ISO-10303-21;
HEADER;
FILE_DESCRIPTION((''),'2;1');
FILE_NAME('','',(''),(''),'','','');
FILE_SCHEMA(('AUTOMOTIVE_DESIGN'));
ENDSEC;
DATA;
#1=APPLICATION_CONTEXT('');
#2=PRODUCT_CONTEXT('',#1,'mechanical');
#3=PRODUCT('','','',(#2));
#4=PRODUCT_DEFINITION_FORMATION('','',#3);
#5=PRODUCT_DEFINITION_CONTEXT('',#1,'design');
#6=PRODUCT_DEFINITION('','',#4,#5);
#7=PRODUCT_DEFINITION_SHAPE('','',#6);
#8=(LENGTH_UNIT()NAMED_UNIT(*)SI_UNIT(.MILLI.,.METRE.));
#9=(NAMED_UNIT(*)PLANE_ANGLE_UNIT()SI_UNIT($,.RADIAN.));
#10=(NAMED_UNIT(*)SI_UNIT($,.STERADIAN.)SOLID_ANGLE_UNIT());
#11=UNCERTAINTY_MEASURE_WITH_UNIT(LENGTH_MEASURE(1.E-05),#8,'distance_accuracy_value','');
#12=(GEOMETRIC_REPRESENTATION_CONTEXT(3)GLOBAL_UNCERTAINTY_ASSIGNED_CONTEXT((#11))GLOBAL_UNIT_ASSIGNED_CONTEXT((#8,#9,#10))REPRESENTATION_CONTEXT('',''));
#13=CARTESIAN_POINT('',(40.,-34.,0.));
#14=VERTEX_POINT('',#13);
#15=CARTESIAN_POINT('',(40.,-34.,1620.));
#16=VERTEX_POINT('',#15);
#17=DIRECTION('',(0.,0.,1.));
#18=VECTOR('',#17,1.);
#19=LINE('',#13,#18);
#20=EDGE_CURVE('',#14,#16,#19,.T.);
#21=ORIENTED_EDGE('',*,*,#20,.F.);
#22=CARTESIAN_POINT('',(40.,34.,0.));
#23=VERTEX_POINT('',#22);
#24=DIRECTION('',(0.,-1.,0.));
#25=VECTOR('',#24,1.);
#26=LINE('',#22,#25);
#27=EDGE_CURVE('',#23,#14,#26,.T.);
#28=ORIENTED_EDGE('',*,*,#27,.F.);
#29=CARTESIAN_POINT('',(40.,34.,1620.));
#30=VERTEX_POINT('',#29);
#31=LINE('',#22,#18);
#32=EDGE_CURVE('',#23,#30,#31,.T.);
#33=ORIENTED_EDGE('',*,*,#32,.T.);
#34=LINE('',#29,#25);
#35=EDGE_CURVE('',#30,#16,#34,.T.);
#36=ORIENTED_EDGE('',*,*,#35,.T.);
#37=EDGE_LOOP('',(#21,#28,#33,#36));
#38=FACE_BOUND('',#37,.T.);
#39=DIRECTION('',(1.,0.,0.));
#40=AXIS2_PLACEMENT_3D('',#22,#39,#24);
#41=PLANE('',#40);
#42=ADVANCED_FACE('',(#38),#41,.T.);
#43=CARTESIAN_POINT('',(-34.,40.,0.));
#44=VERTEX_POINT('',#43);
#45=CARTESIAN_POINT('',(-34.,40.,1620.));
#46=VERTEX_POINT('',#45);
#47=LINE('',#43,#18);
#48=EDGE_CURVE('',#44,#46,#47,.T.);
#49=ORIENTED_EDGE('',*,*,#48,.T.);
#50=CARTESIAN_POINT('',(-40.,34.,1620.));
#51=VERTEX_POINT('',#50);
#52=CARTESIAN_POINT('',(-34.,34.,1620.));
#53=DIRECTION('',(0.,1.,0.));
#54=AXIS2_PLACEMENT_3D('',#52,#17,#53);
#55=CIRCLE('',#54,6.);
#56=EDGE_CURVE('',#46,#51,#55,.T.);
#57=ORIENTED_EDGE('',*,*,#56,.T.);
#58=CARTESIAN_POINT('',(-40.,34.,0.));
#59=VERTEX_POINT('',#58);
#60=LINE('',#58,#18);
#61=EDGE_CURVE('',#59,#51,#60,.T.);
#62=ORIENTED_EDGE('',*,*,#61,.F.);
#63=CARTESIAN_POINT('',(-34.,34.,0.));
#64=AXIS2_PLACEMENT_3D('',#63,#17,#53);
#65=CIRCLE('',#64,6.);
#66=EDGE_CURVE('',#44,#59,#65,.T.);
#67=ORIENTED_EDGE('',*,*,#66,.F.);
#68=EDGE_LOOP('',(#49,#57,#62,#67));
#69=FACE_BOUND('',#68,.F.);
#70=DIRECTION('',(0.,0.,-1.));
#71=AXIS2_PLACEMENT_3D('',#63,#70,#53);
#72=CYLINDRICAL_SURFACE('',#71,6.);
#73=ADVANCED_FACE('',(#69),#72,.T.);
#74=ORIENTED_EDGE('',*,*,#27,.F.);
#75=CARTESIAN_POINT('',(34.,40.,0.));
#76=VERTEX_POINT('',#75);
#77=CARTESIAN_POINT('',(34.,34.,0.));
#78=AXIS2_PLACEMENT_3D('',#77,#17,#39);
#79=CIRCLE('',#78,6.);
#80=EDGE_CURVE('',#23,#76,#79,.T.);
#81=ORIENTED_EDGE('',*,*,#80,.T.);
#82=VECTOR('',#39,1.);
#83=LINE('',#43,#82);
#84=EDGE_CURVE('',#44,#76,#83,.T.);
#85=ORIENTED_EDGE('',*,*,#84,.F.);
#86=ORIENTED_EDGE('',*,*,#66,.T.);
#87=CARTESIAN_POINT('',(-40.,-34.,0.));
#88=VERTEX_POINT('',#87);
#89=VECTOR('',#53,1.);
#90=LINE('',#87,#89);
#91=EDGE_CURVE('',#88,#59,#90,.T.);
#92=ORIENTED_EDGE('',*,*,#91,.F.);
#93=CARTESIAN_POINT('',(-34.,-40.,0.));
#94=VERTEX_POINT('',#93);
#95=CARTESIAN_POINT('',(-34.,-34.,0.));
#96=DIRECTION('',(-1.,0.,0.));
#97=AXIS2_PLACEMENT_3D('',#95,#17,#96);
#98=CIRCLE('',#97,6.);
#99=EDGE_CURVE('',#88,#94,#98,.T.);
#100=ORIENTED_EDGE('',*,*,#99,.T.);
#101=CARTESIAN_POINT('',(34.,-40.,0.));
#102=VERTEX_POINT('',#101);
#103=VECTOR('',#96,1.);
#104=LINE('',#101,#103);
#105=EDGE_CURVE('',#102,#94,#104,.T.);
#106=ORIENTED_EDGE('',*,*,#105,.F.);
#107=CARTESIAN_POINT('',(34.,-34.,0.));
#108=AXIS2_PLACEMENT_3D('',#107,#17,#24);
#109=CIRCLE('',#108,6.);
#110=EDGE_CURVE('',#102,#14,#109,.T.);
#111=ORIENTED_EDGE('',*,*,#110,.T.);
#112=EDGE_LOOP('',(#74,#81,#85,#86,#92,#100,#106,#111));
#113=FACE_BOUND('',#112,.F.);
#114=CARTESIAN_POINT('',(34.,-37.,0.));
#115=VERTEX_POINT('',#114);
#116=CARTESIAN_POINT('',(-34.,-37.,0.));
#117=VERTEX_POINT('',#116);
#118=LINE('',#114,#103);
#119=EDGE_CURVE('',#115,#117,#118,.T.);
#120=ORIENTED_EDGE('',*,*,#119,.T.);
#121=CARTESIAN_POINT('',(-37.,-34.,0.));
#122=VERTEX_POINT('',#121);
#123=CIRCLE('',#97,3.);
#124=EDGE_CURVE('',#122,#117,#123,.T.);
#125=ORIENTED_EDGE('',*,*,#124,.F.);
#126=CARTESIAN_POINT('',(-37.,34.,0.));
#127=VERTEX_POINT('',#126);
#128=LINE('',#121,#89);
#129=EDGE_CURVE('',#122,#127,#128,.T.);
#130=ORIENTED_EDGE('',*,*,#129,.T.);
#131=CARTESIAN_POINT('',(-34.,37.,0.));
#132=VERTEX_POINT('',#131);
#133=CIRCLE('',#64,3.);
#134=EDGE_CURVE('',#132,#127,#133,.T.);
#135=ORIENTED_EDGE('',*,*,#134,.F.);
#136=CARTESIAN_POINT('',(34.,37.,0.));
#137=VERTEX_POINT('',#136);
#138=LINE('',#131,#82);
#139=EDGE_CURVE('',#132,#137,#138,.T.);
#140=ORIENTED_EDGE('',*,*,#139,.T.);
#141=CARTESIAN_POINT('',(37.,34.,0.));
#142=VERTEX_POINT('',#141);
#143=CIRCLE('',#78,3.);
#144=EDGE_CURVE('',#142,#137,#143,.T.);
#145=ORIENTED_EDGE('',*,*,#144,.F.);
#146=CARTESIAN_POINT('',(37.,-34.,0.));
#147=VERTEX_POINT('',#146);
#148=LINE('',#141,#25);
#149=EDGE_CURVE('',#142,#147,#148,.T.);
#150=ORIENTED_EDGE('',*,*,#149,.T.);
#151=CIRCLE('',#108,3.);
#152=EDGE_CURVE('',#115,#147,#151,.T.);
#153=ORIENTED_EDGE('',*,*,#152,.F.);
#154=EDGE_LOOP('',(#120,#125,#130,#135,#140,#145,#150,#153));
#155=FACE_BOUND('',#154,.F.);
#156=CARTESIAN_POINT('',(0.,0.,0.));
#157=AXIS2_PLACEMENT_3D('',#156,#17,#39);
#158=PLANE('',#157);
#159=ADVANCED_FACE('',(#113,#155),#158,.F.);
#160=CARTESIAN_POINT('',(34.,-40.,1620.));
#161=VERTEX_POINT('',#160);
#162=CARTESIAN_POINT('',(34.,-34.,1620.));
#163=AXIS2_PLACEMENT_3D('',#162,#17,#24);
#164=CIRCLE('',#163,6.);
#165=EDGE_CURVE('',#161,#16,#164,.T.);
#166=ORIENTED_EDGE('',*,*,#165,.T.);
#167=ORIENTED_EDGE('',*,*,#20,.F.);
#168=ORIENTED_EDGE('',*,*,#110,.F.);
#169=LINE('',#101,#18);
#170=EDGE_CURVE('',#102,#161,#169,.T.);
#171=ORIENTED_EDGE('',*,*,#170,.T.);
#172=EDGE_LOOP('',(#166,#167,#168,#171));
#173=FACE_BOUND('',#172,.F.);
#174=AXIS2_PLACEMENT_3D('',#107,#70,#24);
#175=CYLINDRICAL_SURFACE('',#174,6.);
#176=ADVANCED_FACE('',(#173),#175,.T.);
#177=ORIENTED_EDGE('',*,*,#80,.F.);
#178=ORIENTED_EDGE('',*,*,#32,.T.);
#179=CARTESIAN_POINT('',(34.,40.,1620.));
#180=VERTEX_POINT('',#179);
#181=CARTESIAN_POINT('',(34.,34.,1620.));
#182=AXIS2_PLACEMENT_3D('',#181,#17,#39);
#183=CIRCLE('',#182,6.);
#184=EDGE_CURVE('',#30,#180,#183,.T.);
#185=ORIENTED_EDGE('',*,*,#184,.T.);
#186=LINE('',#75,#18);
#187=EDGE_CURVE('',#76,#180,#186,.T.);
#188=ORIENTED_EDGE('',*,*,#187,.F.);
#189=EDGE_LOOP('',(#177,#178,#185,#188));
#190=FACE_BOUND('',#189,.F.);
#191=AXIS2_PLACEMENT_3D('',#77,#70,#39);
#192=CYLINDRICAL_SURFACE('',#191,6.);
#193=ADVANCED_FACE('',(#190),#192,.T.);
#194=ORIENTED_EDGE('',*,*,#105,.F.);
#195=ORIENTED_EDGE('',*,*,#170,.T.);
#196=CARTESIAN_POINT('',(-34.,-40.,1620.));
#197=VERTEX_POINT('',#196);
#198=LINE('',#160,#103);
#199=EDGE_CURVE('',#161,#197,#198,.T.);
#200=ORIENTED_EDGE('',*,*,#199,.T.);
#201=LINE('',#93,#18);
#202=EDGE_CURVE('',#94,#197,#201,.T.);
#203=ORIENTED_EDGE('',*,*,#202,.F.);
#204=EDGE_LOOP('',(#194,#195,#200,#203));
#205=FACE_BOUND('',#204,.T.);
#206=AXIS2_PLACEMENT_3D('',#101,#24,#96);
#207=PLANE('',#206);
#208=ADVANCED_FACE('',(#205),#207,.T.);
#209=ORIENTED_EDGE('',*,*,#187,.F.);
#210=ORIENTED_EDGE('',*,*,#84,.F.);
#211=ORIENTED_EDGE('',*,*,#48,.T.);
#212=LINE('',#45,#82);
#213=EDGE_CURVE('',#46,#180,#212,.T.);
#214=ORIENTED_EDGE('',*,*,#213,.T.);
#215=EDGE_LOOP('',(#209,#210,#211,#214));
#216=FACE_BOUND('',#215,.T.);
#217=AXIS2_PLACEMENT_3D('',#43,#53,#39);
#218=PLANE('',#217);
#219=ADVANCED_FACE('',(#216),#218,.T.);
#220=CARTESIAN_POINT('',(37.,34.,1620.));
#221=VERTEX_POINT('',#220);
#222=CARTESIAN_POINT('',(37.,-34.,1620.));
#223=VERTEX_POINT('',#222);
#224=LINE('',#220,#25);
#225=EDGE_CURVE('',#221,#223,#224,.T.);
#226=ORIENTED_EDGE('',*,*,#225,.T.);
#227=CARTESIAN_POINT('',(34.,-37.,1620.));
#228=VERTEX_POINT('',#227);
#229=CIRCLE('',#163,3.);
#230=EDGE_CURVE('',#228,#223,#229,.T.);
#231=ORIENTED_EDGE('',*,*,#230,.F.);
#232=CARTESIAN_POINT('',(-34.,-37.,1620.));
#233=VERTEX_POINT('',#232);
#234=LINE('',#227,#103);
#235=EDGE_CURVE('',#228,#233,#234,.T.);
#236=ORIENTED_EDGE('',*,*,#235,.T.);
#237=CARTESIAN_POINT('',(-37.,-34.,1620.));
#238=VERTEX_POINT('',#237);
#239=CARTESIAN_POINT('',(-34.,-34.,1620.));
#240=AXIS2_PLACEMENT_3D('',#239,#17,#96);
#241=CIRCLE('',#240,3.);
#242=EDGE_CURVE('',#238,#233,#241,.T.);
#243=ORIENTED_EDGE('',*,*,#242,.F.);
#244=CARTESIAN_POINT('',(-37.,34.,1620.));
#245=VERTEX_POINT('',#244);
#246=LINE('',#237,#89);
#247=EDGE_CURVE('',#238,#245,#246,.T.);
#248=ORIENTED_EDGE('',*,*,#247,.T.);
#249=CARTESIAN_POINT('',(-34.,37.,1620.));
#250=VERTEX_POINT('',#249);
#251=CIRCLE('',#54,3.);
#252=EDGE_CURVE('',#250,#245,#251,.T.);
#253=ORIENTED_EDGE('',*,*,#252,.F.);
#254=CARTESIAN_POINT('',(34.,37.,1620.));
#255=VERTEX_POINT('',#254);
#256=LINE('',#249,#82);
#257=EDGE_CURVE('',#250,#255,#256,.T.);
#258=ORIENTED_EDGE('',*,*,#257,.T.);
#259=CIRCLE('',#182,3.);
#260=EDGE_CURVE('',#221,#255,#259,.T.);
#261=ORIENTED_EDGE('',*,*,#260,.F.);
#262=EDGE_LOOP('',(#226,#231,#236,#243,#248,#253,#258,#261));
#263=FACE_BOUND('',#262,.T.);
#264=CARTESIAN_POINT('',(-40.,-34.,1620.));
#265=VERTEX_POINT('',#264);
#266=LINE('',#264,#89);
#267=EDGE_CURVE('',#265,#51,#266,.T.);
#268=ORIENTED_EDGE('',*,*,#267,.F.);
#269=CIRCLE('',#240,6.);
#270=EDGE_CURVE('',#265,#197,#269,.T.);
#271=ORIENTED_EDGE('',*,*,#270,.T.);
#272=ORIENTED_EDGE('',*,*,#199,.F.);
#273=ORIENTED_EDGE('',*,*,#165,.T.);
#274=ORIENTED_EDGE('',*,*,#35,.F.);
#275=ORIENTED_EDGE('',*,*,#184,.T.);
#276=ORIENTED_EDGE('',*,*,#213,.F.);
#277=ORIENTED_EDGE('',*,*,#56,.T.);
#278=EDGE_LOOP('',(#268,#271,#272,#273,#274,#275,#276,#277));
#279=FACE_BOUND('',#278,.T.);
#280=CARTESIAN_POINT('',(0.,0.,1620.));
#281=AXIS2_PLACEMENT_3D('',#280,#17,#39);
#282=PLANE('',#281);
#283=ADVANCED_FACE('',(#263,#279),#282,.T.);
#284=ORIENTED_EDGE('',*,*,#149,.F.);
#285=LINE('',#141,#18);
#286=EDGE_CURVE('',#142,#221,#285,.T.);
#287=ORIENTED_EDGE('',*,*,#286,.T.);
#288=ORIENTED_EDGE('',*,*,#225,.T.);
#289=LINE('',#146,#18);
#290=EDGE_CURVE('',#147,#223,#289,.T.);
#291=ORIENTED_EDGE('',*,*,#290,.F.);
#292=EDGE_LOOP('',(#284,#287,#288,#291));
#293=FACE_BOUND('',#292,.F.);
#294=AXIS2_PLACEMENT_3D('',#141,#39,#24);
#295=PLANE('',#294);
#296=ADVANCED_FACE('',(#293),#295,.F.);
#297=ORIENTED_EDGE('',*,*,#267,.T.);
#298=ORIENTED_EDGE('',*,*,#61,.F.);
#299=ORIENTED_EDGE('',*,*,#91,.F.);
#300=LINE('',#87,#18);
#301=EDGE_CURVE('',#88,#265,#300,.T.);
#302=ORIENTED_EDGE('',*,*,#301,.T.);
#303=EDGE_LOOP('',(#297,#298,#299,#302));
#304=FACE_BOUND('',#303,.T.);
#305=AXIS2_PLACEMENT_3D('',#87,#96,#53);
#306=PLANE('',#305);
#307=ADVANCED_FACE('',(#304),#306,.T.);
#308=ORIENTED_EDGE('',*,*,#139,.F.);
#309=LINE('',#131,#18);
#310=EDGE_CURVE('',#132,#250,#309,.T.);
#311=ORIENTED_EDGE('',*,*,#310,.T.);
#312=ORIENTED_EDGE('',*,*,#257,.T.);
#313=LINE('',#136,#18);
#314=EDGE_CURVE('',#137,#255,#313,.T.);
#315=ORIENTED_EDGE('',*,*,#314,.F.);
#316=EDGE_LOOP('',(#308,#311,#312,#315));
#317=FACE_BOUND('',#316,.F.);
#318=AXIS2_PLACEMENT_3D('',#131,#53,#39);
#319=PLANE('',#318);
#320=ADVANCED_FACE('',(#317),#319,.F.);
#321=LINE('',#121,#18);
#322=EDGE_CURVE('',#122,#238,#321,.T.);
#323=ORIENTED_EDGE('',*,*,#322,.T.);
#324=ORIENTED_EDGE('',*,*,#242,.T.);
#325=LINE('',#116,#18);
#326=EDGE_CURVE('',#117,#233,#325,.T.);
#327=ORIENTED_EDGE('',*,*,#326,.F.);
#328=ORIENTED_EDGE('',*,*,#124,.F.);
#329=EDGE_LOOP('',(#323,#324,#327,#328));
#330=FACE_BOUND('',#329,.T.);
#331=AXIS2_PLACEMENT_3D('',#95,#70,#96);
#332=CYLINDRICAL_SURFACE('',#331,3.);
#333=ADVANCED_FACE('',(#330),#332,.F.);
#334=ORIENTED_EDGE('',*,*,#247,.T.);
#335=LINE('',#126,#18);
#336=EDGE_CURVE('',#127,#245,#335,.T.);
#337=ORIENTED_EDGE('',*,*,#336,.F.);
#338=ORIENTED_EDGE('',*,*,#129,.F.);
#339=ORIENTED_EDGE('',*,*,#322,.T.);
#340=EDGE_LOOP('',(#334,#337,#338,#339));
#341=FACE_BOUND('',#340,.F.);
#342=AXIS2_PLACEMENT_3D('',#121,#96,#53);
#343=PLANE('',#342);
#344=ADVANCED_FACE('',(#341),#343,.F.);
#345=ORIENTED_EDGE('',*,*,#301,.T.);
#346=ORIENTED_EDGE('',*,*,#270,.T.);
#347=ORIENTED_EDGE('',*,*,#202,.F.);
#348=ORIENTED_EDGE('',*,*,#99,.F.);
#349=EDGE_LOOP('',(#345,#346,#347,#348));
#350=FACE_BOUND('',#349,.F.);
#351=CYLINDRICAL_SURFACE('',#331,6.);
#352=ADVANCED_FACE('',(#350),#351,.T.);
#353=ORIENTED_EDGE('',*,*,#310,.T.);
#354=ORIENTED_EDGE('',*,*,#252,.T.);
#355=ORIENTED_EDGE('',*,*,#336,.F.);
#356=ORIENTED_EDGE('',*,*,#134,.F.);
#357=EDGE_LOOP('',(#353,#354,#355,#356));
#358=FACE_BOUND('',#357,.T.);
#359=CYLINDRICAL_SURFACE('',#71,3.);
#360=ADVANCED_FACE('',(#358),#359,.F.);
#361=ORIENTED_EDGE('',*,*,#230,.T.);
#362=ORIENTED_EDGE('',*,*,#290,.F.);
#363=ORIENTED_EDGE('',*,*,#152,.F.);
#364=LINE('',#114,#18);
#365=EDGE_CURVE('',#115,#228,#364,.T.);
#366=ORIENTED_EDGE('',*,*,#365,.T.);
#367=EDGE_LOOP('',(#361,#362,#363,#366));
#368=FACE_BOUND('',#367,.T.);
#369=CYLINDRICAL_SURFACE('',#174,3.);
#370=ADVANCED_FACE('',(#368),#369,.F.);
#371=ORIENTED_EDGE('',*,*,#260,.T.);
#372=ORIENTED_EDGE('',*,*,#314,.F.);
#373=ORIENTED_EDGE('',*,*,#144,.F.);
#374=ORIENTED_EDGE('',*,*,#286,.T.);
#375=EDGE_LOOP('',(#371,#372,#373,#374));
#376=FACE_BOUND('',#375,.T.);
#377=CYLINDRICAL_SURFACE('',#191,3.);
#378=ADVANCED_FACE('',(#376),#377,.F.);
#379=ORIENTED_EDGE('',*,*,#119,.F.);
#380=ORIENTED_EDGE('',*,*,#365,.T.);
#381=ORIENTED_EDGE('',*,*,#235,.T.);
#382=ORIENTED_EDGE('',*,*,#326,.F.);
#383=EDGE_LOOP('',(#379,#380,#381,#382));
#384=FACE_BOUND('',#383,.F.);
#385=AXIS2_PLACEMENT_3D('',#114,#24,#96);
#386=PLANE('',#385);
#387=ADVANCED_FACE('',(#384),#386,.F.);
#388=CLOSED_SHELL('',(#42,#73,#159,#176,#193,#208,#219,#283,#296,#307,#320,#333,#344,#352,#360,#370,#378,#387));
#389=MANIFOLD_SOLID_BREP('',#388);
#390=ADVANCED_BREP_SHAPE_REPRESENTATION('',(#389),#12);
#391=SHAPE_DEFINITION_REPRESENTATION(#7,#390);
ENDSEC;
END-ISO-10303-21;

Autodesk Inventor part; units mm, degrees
ref_plane "YZ Plane" through (0, 0, 0) normal (1, 0, 0) x (0, 1, 0)
ref_plane "Start plane" through (0, 0, 0) normal (0, 0, 1) x (1, 0, 0)
ref_plane "End plane" through (0, 0, 1620) normal (0, 0, 1) x (1, 0, 0)
sketch "Sketch" plane through (0, 0, 0) normal (0, 0, 1) x (1, 0, 0)
  line L0 (-40, -34) -> (-40, 34)
  line L1 (-34, 40) -> (34, 40)
  line L2 (40, 34) -> (40, -34)
  line L3 (34, -40) -> (-34, -40)
  arc A0 (-40, -34) -> (-34, -40) centre (-34, -34) ccw
  arc A1 (40, 34) -> (34, 40) centre (34, 34) ccw
  arc A2 (-34, 40) -> (-40, 34) centre (-34, 34) ccw
  arc A3 (34, -40) -> (40, -34) centre (34, -34) ccw
  arc A4 (-34, 37) -> (-37, 34) centre (-34, 34) ccw
  line L4 (-34, 37) -> (34, 37)
  arc A5 (37, 34) -> (34, 37) centre (34, 34) ccw
  line L5 (37, 34) -> (37, -34)
  arc A6 (34, -37) -> (37, -34) centre (34, -34) ccw
  line L6 (34, -37) -> (-34, -37)
  arc A7 (-37, -34) -> (-34, -37) centre (-34, -34) ccw
  line L7 (-37, -34) -> (-37, 34)
  line L8 (0, 57.7397) -> (0, -57.7397) construction
  line L9 (-57.7397, 0) -> (57.7397, 0) construction
  dimension "d7" = 6
  dimension "d9" = 80
  dimension "d11" = 80
  dimension "d12" = 3
  dimension "d15" = 40
  dimension "d16" = 40
extrude "Body" add sketch "Sketch" along normal up to surface (1620 mm away) from surface at 0
sketch "Sketch3" plane through (0, 0, 0) normal (0, 0, 1) x (1, 0, 0)
  line L0 (0, 0) -> (10, 0)
ref_plane "Work Plane3" through (0, 0, 0) normal (0, -1, 0) x (1, 0, 0)
sketch "Sketch4" plane through (0, 0, 0) normal (0, -1, 0) x (1, 0, 0)
  line L0 (-2, 0) -> (12, 0) projected
  line L1 (-2, 1620) -> (12, 1620) projected
  dimension "d18" = 1620
equation "\"d7\" = G_IR"
equation "\"d9\" = G_W"
equation "\"d11\" = G_H"
equation "\"d12\" = G_T"
equation "\"d15\" = 0.5 * d9"
equation "\"d16\" = 0.5 * d11"
equation "\"d3\" = G_L"
equation "\"G_W\" = 80"
equation "\"G_H\" = 80"
equation "\"G_T\" = 3"
equation "\"G_IR\" = 6"
equation "\"G_L\" = d18"
equation "\"G_OFFSET_START\" = 0"
equation "\"G_OFFSET_END\" = 0"
properties part number "ISO 4019 - 80x80x3 - 1620" material "Steel, Mild"
